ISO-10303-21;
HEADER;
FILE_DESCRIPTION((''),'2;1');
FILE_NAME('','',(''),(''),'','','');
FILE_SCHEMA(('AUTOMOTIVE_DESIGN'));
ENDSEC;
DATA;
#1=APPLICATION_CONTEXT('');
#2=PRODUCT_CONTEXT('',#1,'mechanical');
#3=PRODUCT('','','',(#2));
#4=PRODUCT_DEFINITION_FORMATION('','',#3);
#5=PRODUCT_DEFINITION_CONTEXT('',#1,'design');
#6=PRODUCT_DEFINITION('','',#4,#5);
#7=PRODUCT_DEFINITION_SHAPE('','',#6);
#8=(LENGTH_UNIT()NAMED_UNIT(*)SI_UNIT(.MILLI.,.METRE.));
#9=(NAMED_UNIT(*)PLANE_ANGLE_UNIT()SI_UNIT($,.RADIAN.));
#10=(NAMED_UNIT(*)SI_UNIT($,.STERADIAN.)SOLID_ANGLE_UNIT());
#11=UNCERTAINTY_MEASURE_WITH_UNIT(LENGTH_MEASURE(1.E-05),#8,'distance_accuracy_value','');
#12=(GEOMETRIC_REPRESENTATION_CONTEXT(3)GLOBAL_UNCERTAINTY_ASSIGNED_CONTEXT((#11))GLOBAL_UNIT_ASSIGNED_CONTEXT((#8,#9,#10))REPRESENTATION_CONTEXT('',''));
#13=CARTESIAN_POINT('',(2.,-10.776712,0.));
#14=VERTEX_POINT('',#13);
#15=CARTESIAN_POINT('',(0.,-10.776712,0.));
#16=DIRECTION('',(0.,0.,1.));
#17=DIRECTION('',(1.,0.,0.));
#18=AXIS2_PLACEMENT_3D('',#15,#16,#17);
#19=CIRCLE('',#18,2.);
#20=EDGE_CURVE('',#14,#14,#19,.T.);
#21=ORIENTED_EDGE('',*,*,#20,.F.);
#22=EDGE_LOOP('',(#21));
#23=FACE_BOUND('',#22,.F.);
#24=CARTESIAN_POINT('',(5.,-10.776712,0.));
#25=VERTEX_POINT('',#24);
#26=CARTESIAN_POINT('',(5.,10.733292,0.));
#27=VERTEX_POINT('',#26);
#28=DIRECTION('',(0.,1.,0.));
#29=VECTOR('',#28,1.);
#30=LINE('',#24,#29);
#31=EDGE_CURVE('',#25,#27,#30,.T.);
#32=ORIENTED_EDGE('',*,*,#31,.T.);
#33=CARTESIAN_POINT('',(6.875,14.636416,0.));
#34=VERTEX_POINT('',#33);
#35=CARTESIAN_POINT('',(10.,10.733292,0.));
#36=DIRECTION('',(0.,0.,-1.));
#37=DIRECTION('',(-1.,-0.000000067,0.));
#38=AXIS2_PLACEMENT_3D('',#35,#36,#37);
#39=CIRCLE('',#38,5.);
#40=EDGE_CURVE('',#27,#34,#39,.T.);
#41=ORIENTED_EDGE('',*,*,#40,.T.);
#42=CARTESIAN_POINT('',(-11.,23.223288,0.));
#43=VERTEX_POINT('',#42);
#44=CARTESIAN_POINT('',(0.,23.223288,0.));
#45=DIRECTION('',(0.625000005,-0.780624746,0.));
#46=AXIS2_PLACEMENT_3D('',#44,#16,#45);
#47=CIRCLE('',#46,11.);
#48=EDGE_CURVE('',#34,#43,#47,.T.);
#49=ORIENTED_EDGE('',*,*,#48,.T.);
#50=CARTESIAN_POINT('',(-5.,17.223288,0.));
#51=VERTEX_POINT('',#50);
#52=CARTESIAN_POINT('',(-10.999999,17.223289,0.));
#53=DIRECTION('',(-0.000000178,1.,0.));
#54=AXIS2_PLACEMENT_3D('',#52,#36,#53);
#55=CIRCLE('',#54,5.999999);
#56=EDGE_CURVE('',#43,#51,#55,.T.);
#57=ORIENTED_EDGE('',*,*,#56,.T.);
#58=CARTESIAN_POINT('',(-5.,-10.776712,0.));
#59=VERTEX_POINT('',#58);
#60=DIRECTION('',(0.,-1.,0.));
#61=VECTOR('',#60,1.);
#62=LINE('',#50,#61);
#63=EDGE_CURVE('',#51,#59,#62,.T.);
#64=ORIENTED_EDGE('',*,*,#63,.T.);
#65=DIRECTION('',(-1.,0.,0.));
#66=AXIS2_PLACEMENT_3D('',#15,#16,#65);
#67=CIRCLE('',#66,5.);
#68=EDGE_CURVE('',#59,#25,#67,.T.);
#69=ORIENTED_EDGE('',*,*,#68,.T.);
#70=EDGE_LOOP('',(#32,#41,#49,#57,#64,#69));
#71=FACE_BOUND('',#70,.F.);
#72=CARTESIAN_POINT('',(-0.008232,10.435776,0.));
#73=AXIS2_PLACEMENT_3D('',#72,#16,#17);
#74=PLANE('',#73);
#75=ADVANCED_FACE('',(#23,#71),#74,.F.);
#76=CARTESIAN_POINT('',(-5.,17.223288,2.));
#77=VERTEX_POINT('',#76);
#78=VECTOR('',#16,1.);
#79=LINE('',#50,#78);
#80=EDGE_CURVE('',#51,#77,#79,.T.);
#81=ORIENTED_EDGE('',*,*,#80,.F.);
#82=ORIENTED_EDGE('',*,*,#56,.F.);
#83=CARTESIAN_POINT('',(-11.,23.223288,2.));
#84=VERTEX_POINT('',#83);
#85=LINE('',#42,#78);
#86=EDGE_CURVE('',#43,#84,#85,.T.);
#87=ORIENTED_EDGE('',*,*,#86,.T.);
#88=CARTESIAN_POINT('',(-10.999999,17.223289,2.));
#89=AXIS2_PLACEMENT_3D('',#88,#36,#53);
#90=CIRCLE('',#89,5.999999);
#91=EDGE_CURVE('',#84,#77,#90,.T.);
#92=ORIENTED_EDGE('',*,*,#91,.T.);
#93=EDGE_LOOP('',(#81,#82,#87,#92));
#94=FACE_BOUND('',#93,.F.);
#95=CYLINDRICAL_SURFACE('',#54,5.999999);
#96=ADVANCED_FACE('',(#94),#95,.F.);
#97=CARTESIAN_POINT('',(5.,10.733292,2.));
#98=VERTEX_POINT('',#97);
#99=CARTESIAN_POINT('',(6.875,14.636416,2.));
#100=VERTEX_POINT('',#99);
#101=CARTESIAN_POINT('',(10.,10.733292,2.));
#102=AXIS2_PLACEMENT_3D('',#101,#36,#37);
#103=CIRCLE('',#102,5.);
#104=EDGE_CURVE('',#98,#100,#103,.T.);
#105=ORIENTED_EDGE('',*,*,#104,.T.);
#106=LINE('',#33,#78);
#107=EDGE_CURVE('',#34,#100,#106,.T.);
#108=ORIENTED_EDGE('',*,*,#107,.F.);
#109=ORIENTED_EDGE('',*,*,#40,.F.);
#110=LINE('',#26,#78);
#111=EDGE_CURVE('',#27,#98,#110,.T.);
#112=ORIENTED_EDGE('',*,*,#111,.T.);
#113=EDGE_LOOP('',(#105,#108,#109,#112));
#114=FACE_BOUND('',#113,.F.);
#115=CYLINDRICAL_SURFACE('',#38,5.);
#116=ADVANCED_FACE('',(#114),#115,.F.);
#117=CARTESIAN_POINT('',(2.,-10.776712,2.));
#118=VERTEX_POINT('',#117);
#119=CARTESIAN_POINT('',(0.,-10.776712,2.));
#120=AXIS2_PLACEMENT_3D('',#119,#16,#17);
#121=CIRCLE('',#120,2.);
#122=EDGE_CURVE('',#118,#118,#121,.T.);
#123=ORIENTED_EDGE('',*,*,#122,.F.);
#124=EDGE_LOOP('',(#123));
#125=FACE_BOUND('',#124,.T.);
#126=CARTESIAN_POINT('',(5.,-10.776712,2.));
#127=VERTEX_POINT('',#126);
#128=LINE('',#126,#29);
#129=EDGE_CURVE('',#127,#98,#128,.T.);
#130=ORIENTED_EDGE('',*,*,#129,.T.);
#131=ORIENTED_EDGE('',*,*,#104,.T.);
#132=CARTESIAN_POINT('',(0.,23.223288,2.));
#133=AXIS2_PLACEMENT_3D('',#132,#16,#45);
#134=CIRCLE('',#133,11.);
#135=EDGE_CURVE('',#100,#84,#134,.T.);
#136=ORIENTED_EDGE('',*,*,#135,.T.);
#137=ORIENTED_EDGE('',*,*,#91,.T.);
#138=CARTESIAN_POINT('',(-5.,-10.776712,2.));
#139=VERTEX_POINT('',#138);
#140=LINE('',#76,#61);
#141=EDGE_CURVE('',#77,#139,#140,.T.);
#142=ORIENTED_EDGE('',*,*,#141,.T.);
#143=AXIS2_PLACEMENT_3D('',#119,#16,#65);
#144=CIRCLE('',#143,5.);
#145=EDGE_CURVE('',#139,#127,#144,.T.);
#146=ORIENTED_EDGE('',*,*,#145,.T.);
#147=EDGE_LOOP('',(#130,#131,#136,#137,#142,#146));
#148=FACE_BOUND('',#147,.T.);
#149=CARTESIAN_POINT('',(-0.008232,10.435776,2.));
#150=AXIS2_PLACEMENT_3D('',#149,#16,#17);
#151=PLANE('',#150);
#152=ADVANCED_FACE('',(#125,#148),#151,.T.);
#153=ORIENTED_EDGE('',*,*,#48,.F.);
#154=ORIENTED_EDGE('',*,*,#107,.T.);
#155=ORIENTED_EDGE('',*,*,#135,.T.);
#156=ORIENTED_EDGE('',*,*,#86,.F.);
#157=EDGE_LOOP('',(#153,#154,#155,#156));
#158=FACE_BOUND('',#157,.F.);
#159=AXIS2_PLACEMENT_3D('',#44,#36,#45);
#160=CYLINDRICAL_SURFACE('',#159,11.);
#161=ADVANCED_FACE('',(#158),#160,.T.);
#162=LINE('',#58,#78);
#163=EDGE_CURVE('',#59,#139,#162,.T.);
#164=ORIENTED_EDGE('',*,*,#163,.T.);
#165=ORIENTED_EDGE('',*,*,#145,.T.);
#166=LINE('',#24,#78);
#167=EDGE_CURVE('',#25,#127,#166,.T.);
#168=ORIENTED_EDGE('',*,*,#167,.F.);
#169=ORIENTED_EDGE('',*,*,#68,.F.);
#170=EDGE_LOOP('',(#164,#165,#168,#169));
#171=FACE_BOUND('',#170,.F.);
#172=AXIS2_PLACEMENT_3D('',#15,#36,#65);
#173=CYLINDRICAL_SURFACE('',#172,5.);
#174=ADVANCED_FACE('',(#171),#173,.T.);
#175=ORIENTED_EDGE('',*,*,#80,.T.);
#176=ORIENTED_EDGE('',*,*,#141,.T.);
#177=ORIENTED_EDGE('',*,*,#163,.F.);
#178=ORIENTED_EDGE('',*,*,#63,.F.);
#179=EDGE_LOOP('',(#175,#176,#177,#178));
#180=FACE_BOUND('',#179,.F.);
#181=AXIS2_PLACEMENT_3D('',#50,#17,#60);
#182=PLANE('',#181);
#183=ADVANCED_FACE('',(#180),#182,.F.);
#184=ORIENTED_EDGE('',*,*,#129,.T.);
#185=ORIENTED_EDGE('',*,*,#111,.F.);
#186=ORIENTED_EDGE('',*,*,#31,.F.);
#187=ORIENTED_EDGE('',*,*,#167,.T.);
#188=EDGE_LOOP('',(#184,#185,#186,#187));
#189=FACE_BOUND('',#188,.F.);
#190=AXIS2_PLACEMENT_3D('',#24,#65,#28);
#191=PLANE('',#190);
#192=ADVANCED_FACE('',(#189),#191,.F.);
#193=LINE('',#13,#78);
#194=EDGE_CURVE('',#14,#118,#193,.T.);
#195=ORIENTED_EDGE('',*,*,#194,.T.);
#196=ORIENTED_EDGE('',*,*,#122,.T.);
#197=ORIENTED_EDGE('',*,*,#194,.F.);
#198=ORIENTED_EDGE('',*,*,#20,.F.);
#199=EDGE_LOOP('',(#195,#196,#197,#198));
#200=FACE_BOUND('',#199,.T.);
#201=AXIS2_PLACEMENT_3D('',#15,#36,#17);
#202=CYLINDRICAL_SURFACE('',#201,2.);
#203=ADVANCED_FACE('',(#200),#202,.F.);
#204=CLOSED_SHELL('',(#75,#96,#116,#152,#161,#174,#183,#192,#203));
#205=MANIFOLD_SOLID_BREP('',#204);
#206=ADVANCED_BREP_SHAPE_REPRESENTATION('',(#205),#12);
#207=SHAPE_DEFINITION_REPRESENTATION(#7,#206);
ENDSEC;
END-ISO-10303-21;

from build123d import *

# Parameters (mm, degrees)
F0_R     = 2
F1_DEPTH = 2


with BuildPart() as f1:
    # F0 (on Top) → F1 (new body)
    with BuildSketch(Plane.XY):
        with BuildLine():
            Line((-5, 17.223288), (-5, -10.776712))
            ThreePointArc((-5, -10.776712), (0, -15.776712), (5, -10.776712))
            Line((5, -10.776712), (5, 10.733292))
            ThreePointArc((5, 10.733292), (5.493061, 12.898356), (6.875, 14.636416))
            ThreePointArc((6.875, 14.636416), (4.76314, 33.138554), (-11, 23.223288))
            ThreePointArc((-11, 23.223288), (-6.757359, 21.465929), (-5, 17.223288))
        make_face()
        with Locations((0, -10.776712)):
            Circle(F0_R, mode=Mode.SUBTRACT)
    extrude(amount=F1_DEPTH)


solid = f1.part
